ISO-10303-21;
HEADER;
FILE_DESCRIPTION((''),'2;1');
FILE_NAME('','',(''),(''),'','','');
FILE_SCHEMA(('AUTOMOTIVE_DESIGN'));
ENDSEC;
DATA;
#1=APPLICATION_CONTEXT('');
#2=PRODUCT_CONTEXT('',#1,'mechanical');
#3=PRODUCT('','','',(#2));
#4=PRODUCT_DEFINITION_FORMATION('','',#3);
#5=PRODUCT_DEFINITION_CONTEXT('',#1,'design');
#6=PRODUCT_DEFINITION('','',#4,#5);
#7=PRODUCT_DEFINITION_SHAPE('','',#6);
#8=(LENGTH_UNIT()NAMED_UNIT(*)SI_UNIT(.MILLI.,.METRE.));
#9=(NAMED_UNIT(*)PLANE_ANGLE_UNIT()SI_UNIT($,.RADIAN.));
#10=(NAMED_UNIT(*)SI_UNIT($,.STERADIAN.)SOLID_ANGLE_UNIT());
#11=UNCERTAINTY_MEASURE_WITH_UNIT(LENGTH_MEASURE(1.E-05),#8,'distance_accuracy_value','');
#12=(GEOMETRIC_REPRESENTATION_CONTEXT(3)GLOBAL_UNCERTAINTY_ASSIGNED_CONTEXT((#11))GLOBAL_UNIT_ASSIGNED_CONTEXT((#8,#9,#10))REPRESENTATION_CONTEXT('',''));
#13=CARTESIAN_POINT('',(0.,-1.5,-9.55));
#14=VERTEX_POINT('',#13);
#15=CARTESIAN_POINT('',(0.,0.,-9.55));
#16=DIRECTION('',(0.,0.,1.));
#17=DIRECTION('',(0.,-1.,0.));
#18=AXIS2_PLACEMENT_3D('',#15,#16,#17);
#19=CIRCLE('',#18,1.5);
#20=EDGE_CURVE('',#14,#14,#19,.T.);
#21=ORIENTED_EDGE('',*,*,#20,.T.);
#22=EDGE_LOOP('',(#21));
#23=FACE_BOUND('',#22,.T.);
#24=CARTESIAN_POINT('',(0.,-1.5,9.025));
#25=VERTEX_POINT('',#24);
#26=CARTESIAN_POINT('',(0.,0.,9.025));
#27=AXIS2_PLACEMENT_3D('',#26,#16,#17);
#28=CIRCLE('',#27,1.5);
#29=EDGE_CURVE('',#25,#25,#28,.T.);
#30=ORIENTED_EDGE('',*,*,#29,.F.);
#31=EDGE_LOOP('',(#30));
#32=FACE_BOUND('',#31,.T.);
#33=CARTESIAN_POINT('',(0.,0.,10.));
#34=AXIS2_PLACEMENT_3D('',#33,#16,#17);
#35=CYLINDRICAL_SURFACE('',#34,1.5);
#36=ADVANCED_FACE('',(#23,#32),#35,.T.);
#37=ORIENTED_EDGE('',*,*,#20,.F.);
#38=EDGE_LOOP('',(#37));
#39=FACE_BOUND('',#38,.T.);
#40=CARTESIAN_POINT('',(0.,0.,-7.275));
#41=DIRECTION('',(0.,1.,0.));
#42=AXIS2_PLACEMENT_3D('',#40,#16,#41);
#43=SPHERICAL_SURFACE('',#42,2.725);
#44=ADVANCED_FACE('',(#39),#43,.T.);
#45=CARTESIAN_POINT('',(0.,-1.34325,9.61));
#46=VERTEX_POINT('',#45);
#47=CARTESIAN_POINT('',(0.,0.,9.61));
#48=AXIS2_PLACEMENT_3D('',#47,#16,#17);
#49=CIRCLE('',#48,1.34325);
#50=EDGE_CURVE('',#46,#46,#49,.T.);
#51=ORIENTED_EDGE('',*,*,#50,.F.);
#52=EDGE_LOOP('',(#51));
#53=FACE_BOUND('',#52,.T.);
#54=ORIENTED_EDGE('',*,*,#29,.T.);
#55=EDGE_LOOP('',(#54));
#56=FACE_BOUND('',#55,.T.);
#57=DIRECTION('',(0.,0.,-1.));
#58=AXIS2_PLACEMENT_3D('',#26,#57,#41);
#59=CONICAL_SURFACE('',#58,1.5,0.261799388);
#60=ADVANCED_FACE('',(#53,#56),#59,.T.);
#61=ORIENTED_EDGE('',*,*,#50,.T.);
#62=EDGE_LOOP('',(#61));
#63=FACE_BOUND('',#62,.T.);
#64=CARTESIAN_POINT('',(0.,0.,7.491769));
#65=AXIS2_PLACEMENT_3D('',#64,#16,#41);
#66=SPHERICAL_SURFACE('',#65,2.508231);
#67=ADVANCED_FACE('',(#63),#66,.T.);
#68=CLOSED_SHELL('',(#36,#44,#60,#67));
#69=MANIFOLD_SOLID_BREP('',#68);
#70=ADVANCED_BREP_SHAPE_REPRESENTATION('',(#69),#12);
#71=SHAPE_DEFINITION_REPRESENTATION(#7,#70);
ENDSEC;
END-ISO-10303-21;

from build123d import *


with BuildPart() as part:
    # Sketch3 → Revolve1 (revolve)
    with BuildSketch(Plane(origin=(0, 0, 0), x_dir=(0, 0, -1), z_dir=(1, 0, 0))):
        with BuildLine():
            Line((-10, 0), (10, 0))
            ThreePointArc((10, 0), (9.885076627, 0.783022988), (9.55, 1.5))
            Line((9.55, 1.5), (-9.025, 1.5))
            Line((-9.025, 1.5), (-9.61, 1.343249722))
            ThreePointArc((-9.61, 1.343249722), (-9.90052754, 0.699360389), (-10, 0))
        make_face()
    revolve(axis=Axis((0, 0, 10), (0, 0, -1)))


solid = part.part
